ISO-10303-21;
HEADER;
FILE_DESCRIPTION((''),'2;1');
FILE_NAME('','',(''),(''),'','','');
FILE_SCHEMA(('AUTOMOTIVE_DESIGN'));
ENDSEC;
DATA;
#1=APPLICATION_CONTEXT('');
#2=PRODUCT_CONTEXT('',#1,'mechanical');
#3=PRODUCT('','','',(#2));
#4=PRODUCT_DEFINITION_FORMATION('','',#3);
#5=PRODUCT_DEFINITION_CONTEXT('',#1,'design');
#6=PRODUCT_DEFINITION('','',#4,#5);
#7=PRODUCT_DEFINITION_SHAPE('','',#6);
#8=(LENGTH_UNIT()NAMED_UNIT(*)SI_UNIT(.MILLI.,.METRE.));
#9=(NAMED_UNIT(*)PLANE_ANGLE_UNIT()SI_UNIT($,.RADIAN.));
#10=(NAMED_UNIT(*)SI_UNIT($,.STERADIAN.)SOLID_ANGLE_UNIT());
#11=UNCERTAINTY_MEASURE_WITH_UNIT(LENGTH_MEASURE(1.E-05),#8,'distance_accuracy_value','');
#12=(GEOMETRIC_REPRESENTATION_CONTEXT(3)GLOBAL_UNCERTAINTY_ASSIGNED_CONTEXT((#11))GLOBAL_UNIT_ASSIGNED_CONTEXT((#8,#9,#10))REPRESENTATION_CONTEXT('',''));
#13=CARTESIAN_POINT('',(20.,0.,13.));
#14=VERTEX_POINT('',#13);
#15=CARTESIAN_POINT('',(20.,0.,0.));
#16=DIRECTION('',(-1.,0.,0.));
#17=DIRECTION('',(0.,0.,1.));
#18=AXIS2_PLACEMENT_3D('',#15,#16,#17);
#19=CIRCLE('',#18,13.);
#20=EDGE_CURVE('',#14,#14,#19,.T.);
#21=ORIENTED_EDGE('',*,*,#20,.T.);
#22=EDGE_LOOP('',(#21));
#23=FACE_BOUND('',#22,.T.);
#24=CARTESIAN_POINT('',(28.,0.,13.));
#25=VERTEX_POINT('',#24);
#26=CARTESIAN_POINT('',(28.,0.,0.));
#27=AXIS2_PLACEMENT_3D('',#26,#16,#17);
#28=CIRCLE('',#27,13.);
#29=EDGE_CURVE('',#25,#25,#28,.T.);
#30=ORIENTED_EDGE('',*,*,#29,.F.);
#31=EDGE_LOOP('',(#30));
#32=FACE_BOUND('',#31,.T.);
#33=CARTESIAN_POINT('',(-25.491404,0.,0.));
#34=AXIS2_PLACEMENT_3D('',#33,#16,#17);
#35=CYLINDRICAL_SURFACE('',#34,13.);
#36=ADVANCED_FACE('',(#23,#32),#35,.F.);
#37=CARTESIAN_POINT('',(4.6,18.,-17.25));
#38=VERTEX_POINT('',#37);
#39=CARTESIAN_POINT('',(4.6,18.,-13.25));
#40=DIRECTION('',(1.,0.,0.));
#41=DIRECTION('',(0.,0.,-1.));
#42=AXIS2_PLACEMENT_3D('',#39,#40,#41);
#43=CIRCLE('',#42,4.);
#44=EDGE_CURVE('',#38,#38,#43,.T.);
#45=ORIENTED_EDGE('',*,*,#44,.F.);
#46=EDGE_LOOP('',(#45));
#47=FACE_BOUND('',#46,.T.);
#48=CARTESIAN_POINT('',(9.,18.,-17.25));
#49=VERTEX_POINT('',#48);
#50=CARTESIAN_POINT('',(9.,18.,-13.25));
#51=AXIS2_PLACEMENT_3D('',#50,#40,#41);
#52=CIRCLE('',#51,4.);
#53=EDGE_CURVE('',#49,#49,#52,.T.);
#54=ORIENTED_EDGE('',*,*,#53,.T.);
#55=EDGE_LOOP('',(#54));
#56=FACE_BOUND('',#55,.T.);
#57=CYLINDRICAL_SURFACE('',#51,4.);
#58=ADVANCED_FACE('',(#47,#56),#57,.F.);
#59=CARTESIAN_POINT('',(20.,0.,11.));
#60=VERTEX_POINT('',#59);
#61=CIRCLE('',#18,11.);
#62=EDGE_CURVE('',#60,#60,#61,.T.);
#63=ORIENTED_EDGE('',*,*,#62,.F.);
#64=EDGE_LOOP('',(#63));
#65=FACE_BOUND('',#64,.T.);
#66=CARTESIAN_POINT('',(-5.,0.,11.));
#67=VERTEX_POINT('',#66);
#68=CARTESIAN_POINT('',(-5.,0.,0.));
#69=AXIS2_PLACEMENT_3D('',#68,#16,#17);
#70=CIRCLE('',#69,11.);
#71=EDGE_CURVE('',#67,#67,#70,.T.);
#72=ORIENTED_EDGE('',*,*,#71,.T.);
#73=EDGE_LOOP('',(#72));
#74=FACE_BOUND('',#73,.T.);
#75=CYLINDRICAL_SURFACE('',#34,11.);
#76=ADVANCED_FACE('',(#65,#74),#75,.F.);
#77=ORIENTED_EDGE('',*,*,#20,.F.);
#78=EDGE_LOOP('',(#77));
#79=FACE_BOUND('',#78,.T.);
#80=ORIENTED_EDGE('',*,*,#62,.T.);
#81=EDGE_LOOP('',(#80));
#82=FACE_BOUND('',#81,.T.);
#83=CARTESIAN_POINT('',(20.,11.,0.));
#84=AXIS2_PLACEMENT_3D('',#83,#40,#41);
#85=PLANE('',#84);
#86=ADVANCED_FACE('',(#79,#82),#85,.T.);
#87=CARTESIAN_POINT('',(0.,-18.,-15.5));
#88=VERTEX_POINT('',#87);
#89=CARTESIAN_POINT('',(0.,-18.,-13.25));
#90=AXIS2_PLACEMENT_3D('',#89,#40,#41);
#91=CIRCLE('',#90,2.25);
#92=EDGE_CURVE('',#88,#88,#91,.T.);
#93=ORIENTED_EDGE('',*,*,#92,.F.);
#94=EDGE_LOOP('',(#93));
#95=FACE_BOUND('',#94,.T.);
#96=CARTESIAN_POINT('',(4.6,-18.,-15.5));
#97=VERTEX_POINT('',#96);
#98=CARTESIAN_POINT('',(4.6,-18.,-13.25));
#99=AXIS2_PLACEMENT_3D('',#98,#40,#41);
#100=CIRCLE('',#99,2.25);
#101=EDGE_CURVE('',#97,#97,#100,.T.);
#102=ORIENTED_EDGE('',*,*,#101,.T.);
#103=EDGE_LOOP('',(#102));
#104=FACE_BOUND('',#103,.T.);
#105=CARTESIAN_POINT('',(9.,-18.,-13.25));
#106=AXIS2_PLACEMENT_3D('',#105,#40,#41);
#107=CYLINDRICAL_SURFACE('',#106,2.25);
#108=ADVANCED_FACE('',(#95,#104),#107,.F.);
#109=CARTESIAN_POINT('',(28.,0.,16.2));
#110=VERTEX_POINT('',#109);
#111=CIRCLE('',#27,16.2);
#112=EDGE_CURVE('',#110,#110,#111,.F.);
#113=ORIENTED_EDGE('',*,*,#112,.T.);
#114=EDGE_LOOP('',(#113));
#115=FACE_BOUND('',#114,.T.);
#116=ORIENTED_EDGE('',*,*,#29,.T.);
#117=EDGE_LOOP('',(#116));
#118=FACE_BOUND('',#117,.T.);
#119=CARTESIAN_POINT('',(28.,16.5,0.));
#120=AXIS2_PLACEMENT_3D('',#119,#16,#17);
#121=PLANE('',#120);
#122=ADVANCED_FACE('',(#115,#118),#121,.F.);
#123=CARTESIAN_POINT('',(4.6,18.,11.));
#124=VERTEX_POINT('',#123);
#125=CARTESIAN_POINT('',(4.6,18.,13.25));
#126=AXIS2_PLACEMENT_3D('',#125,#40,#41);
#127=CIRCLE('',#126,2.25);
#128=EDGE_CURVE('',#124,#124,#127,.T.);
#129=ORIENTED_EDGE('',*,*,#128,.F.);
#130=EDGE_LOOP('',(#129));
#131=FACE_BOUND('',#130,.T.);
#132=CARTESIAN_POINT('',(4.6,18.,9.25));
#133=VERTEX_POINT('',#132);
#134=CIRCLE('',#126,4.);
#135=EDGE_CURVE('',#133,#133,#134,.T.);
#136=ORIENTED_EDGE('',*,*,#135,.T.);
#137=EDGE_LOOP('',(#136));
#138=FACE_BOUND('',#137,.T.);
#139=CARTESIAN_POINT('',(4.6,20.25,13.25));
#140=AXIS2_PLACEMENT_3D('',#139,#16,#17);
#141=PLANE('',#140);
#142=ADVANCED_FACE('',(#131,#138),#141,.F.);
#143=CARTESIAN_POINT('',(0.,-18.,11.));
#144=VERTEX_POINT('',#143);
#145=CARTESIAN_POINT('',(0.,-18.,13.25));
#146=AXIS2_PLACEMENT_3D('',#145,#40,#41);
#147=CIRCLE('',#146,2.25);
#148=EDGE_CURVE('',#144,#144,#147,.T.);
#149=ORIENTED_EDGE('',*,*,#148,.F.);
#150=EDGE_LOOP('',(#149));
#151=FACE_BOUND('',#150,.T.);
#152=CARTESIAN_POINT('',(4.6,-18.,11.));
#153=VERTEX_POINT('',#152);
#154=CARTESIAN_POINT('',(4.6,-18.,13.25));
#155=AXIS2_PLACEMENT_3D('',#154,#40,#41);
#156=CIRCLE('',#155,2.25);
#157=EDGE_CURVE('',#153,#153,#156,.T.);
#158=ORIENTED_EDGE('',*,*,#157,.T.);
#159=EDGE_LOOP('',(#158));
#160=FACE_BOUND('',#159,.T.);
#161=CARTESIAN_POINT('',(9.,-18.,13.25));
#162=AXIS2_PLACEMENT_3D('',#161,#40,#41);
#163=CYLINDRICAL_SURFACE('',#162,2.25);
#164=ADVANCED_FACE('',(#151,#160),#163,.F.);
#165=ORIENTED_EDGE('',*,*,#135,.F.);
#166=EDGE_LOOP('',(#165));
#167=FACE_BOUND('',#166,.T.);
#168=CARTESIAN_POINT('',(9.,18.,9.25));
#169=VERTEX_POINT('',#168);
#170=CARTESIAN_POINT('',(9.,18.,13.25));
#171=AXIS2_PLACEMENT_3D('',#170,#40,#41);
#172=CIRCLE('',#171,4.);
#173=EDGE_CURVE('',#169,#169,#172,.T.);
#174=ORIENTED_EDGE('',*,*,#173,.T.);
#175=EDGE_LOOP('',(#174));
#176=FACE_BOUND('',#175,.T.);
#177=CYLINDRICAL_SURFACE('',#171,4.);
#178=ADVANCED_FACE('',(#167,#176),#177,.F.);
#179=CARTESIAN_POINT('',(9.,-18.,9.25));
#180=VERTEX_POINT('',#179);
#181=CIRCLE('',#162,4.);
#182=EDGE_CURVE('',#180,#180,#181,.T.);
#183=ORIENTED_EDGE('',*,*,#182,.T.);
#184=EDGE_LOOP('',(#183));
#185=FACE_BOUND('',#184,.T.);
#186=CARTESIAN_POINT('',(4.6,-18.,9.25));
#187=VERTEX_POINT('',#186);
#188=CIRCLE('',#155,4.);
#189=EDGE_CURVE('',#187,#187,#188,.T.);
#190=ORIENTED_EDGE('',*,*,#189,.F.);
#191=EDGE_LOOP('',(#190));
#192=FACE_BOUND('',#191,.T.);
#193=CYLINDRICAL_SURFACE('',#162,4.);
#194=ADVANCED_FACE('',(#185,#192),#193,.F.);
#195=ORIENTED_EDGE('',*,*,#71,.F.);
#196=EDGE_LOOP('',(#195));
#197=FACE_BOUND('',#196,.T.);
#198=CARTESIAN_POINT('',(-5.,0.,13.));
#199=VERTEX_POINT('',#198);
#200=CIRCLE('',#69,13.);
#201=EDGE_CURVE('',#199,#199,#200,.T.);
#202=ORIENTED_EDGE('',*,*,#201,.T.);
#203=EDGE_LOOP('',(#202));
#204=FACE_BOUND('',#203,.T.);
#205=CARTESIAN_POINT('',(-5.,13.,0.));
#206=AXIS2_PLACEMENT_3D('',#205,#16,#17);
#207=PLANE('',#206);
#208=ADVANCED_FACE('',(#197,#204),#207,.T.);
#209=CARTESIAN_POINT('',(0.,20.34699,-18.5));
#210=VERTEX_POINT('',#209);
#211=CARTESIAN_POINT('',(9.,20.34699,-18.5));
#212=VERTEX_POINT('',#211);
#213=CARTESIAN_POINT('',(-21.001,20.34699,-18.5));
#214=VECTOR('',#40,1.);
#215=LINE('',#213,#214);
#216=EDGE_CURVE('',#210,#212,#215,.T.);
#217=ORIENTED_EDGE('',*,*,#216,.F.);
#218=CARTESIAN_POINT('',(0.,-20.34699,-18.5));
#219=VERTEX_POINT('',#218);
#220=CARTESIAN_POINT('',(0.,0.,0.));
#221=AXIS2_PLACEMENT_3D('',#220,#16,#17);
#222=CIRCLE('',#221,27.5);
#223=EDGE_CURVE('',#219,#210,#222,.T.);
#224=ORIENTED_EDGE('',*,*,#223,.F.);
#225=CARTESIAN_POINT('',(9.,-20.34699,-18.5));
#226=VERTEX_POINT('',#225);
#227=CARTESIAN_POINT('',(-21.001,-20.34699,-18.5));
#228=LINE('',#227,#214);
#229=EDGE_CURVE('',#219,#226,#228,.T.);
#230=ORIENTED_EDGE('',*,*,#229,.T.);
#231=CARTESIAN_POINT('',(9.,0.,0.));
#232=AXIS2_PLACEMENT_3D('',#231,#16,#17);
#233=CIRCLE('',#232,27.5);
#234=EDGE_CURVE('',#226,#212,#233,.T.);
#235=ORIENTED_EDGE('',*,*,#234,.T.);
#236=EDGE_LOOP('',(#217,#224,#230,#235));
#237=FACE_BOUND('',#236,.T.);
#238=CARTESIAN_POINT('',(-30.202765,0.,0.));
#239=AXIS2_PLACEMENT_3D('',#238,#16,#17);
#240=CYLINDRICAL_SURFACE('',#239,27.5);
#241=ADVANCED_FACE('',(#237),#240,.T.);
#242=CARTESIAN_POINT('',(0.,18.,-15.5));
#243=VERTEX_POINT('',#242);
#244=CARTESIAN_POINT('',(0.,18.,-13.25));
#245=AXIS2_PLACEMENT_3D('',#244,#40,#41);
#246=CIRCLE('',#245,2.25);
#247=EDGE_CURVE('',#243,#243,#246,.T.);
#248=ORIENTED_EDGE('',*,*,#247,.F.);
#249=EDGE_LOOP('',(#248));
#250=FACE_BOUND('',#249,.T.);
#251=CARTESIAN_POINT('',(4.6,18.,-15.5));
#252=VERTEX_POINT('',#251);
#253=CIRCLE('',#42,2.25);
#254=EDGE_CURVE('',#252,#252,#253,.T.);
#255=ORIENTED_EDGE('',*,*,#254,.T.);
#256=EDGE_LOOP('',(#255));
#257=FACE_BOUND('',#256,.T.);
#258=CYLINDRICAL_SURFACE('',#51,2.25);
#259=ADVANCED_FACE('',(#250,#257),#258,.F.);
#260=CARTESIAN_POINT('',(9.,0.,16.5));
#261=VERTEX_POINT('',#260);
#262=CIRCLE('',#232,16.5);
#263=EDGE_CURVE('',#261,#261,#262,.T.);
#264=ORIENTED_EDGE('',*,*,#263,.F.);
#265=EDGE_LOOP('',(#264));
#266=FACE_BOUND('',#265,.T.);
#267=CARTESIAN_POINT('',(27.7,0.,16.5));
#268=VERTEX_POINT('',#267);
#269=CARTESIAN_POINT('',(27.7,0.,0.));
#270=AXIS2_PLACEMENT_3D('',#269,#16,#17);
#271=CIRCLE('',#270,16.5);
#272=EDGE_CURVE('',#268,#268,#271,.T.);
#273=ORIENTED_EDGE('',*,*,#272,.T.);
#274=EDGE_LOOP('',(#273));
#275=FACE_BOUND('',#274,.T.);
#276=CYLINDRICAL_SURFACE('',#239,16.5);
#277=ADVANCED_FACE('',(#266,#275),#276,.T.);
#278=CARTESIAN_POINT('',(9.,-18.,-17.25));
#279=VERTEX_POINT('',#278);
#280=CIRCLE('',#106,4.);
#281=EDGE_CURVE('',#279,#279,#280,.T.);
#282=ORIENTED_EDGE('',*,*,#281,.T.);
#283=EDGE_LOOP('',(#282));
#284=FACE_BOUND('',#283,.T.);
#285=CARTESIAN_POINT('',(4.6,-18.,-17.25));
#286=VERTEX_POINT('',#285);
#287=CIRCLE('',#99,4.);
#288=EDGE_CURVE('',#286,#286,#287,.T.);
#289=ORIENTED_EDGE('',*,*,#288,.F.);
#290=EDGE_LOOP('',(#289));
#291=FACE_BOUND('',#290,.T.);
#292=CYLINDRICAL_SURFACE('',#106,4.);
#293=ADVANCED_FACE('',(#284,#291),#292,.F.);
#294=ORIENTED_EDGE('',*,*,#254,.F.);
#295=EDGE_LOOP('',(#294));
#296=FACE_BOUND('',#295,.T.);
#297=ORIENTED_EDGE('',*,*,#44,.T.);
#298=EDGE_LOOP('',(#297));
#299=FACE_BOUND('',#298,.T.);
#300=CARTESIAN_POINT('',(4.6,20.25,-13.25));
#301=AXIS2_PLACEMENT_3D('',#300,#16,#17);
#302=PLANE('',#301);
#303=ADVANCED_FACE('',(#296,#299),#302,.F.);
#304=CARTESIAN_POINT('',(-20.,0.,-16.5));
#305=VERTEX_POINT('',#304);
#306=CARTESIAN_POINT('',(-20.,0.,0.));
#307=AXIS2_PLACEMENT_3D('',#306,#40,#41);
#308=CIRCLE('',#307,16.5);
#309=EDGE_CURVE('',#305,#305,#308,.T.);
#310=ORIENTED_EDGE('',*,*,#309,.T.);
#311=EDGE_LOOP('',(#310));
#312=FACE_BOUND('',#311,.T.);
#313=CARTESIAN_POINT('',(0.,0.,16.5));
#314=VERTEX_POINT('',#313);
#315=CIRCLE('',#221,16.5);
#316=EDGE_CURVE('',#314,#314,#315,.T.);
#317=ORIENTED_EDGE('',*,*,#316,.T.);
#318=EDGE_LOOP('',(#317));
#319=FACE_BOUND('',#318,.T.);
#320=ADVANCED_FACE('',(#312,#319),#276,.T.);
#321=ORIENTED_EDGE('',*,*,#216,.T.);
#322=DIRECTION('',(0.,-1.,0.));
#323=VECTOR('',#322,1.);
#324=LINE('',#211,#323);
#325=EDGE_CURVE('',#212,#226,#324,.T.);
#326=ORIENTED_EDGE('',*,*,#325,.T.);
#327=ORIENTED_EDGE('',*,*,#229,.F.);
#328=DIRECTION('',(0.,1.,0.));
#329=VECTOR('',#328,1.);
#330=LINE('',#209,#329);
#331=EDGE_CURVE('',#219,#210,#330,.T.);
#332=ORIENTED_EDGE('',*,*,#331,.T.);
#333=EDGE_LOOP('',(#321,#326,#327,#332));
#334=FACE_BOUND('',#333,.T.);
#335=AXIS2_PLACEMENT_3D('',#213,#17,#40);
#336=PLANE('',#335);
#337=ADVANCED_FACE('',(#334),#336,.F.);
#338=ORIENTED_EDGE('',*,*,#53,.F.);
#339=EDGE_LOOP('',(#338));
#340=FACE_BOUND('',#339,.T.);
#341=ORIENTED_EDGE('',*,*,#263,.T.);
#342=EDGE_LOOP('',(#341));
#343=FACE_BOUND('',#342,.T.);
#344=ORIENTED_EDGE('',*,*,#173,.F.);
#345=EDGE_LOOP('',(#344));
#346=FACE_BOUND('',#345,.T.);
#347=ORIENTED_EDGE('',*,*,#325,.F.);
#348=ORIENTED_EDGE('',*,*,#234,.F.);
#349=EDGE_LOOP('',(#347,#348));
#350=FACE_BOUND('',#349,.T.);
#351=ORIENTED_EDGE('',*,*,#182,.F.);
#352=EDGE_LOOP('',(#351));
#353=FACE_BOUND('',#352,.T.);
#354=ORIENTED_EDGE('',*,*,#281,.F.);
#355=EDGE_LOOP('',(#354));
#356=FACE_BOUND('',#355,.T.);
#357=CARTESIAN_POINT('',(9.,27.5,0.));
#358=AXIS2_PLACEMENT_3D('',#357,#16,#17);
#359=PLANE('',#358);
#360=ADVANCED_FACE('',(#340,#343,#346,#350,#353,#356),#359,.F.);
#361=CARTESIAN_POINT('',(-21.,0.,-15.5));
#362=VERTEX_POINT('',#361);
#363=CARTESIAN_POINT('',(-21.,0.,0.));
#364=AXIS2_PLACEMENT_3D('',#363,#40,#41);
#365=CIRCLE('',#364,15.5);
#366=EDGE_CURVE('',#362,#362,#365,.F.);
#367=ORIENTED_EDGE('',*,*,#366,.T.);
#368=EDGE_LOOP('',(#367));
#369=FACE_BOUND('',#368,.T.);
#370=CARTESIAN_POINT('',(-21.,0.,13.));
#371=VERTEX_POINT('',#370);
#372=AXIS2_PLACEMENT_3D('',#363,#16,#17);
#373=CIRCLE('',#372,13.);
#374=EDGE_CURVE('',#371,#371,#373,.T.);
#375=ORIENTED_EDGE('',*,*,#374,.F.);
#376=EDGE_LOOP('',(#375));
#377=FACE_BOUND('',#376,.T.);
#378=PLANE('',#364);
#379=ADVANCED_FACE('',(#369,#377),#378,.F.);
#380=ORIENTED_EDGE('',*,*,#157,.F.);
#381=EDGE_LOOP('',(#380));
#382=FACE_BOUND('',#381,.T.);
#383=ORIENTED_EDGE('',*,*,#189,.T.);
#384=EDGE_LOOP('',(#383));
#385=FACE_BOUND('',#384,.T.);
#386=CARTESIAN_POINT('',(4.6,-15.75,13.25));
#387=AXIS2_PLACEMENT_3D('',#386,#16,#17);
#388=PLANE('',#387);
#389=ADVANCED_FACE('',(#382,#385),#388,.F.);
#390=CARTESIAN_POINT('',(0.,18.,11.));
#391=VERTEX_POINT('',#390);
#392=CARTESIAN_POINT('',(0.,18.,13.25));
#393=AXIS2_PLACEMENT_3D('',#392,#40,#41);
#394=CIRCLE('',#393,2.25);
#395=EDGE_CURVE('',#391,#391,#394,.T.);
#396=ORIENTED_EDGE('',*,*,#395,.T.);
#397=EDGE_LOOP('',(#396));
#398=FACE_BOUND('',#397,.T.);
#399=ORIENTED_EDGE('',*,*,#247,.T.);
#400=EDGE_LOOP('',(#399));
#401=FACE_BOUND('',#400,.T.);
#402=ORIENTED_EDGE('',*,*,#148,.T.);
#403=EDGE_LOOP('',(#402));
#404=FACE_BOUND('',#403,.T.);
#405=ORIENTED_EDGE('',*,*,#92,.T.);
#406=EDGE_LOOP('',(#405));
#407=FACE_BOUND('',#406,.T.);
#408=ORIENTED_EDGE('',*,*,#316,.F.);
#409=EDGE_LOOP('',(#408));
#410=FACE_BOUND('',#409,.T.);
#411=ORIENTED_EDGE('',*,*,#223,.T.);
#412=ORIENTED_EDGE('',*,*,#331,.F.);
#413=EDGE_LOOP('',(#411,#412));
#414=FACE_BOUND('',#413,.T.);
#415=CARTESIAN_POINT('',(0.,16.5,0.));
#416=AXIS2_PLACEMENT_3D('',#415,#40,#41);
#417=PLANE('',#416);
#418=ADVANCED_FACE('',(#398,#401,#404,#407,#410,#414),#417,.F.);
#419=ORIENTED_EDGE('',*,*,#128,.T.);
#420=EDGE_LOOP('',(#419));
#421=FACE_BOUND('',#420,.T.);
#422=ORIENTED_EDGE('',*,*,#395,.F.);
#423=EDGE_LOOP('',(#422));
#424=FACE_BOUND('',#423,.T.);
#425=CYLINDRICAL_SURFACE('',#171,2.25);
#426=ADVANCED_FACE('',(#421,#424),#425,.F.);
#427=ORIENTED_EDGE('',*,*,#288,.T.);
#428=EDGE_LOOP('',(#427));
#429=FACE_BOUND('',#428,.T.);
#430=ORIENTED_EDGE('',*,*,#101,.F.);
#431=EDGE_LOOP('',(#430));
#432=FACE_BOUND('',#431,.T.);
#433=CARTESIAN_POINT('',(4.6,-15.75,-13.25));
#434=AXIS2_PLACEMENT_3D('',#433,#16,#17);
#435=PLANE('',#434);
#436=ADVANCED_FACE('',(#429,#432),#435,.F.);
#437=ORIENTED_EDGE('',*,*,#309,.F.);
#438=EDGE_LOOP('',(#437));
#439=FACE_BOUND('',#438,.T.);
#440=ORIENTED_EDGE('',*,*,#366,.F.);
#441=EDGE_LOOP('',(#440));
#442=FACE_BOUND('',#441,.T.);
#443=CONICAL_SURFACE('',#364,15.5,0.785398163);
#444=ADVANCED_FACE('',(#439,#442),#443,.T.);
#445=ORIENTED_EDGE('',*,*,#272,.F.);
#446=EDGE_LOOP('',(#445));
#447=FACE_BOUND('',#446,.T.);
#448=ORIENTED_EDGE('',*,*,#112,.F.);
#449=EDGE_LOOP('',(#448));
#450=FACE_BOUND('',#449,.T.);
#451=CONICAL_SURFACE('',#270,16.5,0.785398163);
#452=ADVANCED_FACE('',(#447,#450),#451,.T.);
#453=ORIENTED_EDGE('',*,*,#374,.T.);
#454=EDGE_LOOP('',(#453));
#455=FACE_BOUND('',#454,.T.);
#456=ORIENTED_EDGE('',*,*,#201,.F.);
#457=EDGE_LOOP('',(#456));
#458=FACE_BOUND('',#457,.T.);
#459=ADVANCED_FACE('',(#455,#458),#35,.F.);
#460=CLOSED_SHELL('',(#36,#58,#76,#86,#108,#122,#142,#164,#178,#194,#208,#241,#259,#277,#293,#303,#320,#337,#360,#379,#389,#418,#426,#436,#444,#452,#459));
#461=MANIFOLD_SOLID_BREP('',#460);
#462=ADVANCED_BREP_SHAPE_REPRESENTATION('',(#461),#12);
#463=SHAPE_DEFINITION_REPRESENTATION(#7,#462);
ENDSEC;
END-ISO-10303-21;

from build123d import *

# Parameters (mm, degrees)
CUT_EXTRUDE1_REACH                              = 51.117
CBORE_FOR_M4_SOCKET_HEAD_CAP_SCREW1_D           = 4.5
CBORE_FOR_M4_SOCKET_HEAD_CAP_SCREW1_CBORE_D     = 8
CBORE_FOR_M4_SOCKET_HEAD_CAP_SCREW1_CBORE_DEPTH = 4.4
CHAMFER1_SIZE                                   = 1
CHAMFER2_SIZE                                   = 0.3


with BuildPart() as part:
    # Sketch1 → Revolve1 (revolve)
    with BuildSketch(Plane.XY, mode=Mode.PRIVATE) as revolve1_sk:
        Polygon((-21, 0), (-21, 16.5), (0, 16.5), (0, 27.5), (9, 27.5), (9, 16.5), (28, 16.5), (28, 0), align=None)
    revolve(revolve1_sk.sketch.rotate(Axis((-30.202765387, 0, 0), (1, 0, 0)), 90), axis=Axis((-30.202765387, 0, 0), (1, 0, 0)))

    # Sketch2 → Cut-Revolve1 (revolve, cut)
    with BuildSketch(Plane.XY, mode=Mode.PRIVATE) as cut_revolve1_sk:
        Polygon((-21, 0), (-21, 13), (-5, 13), (-5, 11), (20, 11), (20, 13), (28, 13), (28, 0), align=None)
    revolve(cut_revolve1_sk.sketch.rotate(Axis((-25.491403617, 0, 0), (1, 0, 0)), 90), axis=Axis((-25.491403617, 0, 0), (1, 0, 0)), mode=Mode.SUBTRACT)

    # Sketch5 → Cut-Extrude1 (cut, up to next)
    with BuildSketch(Plane(origin=(9, 0, 0), x_dir=(0, 0, -1), z_dir=(1, 0, 0)), mode=Mode.PRIVATE) as cut_extrude1_sk1:
        with BuildLine():
            Line((18.5, 20.346989949), (18.5, -20.346989949))
            ThreePointArc((18.5, -20.346989949), (27.5, 0), (18.5, 20.346989949))
        make_face()
    cut_extrude1_tool1 = extrude(cut_extrude1_sk1.sketch, amount=-CUT_EXTRUDE1_REACH, mode=Mode.PRIVATE) & part.part
    add(cut_extrude1_tool1.solids().sort_by_distance((9, 0, -22.155812))[0], mode=Mode.SUBTRACT)

    # CBORE for M4 Socket Head Cap Screw1 (through all)
    with Locations(Plane(origin=(9, 0, 0), x_dir=(0, 0, -1), z_dir=(1, 0, 0))):
        with Locations((-13.25, 18), (13.25, 18), (13.25, -18), (-13.25, -18)):
            CounterBoreHole(CBORE_FOR_M4_SOCKET_HEAD_CAP_SCREW1_D / 2, CBORE_FOR_M4_SOCKET_HEAD_CAP_SCREW1_CBORE_D / 2, CBORE_FOR_M4_SOCKET_HEAD_CAP_SCREW1_CBORE_DEPTH)

    # Chamfer1
    chamfer1_edges = [part.edges().sort_by_distance(p)[0] for p in [
        (-21, 0, -16.5),
    ]]
    chamfer(chamfer1_edges, length=CHAMFER1_SIZE)

    # Chamfer2
    chamfer2_edges = [part.edges().sort_by_distance(p)[0] for p in [
        (28, 0, -16.5),
    ]]
    chamfer(chamfer2_edges, length=CHAMFER2_SIZE)


solid = part.part
